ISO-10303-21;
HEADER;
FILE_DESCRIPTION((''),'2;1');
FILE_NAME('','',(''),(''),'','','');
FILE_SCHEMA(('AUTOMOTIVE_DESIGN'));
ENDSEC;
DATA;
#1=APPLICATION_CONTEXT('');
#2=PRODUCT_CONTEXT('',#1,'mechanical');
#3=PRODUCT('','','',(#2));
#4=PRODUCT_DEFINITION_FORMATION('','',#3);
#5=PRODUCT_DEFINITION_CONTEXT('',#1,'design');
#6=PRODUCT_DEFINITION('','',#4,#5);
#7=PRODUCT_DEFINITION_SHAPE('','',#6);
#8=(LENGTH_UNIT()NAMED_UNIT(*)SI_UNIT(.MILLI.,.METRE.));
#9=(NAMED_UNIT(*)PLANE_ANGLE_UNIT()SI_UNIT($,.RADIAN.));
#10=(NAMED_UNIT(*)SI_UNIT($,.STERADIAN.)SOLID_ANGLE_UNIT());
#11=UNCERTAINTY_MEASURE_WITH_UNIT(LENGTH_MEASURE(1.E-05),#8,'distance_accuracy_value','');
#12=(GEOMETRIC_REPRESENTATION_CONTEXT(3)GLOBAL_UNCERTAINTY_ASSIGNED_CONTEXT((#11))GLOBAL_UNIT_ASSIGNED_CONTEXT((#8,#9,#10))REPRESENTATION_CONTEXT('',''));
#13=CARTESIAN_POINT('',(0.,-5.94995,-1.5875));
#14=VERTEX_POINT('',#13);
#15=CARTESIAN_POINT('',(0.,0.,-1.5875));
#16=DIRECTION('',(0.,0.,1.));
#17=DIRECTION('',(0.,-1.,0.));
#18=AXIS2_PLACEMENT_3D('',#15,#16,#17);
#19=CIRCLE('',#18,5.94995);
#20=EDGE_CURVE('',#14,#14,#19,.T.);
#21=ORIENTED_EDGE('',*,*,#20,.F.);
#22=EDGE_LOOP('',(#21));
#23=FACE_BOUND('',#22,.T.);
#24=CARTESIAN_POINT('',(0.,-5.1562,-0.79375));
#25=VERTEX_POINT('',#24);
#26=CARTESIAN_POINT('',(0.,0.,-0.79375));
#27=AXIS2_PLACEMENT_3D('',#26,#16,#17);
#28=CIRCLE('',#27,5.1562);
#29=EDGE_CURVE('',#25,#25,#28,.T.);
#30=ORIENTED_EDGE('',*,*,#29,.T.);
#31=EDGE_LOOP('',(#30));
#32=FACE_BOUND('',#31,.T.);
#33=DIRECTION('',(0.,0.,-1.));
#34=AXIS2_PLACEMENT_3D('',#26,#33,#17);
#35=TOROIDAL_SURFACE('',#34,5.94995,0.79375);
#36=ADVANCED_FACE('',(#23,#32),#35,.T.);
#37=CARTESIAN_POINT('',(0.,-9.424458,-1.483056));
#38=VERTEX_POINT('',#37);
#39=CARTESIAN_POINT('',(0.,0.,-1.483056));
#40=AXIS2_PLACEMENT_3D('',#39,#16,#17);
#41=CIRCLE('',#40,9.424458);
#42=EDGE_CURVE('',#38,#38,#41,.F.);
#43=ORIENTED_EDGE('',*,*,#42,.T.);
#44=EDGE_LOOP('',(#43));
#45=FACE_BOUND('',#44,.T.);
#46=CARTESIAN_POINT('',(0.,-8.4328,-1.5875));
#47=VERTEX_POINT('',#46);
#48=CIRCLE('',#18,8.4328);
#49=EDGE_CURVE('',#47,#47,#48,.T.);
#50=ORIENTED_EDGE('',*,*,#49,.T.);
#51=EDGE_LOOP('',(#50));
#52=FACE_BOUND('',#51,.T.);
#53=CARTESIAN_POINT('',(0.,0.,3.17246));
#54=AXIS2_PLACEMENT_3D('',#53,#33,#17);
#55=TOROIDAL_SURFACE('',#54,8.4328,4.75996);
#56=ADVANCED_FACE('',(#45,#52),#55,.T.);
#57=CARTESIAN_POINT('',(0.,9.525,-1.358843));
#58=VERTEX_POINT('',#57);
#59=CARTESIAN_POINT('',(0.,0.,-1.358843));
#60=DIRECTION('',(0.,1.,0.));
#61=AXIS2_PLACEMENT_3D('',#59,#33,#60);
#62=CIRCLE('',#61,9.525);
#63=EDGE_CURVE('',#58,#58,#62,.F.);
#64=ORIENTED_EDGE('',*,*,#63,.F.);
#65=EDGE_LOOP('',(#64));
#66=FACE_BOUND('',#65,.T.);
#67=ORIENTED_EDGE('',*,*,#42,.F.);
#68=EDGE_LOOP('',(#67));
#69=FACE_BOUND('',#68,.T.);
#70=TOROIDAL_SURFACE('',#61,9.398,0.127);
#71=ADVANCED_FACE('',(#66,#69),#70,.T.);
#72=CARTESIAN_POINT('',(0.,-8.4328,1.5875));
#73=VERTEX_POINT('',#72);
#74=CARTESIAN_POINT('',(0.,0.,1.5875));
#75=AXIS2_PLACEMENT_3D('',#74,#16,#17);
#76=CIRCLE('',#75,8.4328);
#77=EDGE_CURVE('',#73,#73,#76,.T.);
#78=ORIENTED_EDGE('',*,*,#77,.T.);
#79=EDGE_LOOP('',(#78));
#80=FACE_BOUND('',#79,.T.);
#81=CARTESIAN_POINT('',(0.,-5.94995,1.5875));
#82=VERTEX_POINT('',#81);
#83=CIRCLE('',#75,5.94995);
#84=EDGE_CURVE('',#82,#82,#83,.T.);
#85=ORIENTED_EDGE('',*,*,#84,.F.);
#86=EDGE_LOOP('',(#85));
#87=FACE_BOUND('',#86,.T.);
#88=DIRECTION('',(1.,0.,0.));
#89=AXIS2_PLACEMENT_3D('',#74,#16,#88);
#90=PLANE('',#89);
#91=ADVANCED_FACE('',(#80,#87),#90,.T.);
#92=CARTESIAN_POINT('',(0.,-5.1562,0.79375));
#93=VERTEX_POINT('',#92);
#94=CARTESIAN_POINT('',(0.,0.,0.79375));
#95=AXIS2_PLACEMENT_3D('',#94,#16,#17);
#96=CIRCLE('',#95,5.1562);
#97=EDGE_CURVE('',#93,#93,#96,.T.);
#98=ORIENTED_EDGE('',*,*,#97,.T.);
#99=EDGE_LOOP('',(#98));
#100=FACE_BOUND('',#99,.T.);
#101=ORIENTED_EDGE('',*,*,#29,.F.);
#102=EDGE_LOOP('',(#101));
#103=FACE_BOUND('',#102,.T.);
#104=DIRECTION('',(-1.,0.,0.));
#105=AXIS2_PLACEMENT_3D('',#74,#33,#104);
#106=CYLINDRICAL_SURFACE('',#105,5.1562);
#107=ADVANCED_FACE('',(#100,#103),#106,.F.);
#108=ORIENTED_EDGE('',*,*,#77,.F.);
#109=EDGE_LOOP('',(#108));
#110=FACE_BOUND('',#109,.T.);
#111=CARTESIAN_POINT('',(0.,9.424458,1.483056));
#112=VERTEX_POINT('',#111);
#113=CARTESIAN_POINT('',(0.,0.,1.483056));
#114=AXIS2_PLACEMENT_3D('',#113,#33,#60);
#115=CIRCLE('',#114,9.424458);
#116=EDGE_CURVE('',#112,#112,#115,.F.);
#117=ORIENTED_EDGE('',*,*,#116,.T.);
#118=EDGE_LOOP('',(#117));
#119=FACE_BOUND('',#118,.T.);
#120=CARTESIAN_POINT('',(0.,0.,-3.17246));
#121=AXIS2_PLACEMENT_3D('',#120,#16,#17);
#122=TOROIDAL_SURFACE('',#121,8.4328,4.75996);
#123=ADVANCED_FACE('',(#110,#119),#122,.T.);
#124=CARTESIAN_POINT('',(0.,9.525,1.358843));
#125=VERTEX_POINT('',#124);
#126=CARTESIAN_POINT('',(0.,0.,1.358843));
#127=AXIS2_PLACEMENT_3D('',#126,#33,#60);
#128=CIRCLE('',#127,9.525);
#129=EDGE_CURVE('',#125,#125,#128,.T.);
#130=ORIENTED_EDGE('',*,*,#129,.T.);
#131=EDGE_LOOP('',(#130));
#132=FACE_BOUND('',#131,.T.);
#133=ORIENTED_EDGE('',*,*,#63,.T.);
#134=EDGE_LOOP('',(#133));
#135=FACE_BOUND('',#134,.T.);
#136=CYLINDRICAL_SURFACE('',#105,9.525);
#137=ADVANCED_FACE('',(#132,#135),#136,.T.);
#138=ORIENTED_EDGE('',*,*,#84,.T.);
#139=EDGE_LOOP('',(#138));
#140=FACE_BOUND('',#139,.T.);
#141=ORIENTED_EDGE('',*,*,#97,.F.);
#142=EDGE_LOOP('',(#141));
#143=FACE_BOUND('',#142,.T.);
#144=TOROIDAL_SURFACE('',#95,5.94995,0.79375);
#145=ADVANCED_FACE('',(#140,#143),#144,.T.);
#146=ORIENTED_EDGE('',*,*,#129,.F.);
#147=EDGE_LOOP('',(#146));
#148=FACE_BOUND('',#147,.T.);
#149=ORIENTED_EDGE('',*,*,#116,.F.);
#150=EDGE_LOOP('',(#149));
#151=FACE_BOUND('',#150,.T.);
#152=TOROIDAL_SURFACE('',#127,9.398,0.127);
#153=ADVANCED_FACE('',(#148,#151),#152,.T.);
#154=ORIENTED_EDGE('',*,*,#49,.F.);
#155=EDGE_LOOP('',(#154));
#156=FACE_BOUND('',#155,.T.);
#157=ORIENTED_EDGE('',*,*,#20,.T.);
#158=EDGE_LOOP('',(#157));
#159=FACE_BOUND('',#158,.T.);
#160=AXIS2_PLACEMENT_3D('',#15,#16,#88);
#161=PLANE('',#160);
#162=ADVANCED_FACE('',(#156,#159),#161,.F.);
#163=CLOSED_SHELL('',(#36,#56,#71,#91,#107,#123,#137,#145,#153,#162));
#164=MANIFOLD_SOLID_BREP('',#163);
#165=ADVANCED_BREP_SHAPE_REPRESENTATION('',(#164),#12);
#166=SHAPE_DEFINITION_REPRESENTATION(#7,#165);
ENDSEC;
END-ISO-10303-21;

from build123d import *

# Parameters (mm, degrees)
SKETCH3_R           = 9.525
SKETCH3_R_2         = 5.1562
BOSS_EXTRUDE1_DEPTH = 1.5875
FILLET1_R           = 0.127


with BuildPart() as part:
    # Sketch3 → Boss-Extrude1 (new, symmetric)
    with BuildSketch(Plane.XY):
        Circle(SKETCH3_R)
        Circle(SKETCH3_R_2, mode=Mode.SUBTRACT)
    extrude(amount=BOSS_EXTRUDE1_DEPTH, both=True)

    # Sketch4 → Cut-Revolve1 (revolve, cut)
    with BuildSketch(Plane(origin=(0, 0, 0), x_dir=(0, 0, -1), z_dir=(1, 0, 0)), mode=Mode.PRIVATE) as cut_revolve1_sk:
        with BuildLine():
            Line((-1.4605, 9.525), (-1.5875, 9.525))
            Line((-1.5875, 9.525), (-1.5875, 8.4328))
            ThreePointArc((-1.5875, 8.4328), (-1.555643398, 8.982579465), (-1.4605, 9.525))
        make_face()
        with BuildLine():
            Line((-0.79375, 5.1562), (-1.5875, 5.1562))
            Line((-1.5875, 5.1562), (-1.5875, 5.94995))
            ThreePointArc((-1.5875, 5.94995), (-1.355016008, 5.388683992), (-0.79375, 5.1562))
        make_face()
    cut_revolve1 = revolve(cut_revolve1_sk.sketch.rotate(Axis((0, 0, 1.5875), (0, 0, -1)), 180), axis=Axis((0, 0, 1.5875), (0, 0, -1)), mode=Mode.SUBTRACT)

    # Mirror1: Cut-Revolve1 across plane
    add(cut_revolve1.mirror(Plane.XY), mode=Mode.SUBTRACT)

    # Fillet1
    fillet1_edges = [part.edges().sort_by_distance(p)[0] for p in [
        (-6.735192091, 6.735192091, 1.4605),
        (6.735192091, -6.735192091, -1.4605),
    ]]
    fillet(fillet1_edges, radius=FILLET1_R)


solid = part.part
